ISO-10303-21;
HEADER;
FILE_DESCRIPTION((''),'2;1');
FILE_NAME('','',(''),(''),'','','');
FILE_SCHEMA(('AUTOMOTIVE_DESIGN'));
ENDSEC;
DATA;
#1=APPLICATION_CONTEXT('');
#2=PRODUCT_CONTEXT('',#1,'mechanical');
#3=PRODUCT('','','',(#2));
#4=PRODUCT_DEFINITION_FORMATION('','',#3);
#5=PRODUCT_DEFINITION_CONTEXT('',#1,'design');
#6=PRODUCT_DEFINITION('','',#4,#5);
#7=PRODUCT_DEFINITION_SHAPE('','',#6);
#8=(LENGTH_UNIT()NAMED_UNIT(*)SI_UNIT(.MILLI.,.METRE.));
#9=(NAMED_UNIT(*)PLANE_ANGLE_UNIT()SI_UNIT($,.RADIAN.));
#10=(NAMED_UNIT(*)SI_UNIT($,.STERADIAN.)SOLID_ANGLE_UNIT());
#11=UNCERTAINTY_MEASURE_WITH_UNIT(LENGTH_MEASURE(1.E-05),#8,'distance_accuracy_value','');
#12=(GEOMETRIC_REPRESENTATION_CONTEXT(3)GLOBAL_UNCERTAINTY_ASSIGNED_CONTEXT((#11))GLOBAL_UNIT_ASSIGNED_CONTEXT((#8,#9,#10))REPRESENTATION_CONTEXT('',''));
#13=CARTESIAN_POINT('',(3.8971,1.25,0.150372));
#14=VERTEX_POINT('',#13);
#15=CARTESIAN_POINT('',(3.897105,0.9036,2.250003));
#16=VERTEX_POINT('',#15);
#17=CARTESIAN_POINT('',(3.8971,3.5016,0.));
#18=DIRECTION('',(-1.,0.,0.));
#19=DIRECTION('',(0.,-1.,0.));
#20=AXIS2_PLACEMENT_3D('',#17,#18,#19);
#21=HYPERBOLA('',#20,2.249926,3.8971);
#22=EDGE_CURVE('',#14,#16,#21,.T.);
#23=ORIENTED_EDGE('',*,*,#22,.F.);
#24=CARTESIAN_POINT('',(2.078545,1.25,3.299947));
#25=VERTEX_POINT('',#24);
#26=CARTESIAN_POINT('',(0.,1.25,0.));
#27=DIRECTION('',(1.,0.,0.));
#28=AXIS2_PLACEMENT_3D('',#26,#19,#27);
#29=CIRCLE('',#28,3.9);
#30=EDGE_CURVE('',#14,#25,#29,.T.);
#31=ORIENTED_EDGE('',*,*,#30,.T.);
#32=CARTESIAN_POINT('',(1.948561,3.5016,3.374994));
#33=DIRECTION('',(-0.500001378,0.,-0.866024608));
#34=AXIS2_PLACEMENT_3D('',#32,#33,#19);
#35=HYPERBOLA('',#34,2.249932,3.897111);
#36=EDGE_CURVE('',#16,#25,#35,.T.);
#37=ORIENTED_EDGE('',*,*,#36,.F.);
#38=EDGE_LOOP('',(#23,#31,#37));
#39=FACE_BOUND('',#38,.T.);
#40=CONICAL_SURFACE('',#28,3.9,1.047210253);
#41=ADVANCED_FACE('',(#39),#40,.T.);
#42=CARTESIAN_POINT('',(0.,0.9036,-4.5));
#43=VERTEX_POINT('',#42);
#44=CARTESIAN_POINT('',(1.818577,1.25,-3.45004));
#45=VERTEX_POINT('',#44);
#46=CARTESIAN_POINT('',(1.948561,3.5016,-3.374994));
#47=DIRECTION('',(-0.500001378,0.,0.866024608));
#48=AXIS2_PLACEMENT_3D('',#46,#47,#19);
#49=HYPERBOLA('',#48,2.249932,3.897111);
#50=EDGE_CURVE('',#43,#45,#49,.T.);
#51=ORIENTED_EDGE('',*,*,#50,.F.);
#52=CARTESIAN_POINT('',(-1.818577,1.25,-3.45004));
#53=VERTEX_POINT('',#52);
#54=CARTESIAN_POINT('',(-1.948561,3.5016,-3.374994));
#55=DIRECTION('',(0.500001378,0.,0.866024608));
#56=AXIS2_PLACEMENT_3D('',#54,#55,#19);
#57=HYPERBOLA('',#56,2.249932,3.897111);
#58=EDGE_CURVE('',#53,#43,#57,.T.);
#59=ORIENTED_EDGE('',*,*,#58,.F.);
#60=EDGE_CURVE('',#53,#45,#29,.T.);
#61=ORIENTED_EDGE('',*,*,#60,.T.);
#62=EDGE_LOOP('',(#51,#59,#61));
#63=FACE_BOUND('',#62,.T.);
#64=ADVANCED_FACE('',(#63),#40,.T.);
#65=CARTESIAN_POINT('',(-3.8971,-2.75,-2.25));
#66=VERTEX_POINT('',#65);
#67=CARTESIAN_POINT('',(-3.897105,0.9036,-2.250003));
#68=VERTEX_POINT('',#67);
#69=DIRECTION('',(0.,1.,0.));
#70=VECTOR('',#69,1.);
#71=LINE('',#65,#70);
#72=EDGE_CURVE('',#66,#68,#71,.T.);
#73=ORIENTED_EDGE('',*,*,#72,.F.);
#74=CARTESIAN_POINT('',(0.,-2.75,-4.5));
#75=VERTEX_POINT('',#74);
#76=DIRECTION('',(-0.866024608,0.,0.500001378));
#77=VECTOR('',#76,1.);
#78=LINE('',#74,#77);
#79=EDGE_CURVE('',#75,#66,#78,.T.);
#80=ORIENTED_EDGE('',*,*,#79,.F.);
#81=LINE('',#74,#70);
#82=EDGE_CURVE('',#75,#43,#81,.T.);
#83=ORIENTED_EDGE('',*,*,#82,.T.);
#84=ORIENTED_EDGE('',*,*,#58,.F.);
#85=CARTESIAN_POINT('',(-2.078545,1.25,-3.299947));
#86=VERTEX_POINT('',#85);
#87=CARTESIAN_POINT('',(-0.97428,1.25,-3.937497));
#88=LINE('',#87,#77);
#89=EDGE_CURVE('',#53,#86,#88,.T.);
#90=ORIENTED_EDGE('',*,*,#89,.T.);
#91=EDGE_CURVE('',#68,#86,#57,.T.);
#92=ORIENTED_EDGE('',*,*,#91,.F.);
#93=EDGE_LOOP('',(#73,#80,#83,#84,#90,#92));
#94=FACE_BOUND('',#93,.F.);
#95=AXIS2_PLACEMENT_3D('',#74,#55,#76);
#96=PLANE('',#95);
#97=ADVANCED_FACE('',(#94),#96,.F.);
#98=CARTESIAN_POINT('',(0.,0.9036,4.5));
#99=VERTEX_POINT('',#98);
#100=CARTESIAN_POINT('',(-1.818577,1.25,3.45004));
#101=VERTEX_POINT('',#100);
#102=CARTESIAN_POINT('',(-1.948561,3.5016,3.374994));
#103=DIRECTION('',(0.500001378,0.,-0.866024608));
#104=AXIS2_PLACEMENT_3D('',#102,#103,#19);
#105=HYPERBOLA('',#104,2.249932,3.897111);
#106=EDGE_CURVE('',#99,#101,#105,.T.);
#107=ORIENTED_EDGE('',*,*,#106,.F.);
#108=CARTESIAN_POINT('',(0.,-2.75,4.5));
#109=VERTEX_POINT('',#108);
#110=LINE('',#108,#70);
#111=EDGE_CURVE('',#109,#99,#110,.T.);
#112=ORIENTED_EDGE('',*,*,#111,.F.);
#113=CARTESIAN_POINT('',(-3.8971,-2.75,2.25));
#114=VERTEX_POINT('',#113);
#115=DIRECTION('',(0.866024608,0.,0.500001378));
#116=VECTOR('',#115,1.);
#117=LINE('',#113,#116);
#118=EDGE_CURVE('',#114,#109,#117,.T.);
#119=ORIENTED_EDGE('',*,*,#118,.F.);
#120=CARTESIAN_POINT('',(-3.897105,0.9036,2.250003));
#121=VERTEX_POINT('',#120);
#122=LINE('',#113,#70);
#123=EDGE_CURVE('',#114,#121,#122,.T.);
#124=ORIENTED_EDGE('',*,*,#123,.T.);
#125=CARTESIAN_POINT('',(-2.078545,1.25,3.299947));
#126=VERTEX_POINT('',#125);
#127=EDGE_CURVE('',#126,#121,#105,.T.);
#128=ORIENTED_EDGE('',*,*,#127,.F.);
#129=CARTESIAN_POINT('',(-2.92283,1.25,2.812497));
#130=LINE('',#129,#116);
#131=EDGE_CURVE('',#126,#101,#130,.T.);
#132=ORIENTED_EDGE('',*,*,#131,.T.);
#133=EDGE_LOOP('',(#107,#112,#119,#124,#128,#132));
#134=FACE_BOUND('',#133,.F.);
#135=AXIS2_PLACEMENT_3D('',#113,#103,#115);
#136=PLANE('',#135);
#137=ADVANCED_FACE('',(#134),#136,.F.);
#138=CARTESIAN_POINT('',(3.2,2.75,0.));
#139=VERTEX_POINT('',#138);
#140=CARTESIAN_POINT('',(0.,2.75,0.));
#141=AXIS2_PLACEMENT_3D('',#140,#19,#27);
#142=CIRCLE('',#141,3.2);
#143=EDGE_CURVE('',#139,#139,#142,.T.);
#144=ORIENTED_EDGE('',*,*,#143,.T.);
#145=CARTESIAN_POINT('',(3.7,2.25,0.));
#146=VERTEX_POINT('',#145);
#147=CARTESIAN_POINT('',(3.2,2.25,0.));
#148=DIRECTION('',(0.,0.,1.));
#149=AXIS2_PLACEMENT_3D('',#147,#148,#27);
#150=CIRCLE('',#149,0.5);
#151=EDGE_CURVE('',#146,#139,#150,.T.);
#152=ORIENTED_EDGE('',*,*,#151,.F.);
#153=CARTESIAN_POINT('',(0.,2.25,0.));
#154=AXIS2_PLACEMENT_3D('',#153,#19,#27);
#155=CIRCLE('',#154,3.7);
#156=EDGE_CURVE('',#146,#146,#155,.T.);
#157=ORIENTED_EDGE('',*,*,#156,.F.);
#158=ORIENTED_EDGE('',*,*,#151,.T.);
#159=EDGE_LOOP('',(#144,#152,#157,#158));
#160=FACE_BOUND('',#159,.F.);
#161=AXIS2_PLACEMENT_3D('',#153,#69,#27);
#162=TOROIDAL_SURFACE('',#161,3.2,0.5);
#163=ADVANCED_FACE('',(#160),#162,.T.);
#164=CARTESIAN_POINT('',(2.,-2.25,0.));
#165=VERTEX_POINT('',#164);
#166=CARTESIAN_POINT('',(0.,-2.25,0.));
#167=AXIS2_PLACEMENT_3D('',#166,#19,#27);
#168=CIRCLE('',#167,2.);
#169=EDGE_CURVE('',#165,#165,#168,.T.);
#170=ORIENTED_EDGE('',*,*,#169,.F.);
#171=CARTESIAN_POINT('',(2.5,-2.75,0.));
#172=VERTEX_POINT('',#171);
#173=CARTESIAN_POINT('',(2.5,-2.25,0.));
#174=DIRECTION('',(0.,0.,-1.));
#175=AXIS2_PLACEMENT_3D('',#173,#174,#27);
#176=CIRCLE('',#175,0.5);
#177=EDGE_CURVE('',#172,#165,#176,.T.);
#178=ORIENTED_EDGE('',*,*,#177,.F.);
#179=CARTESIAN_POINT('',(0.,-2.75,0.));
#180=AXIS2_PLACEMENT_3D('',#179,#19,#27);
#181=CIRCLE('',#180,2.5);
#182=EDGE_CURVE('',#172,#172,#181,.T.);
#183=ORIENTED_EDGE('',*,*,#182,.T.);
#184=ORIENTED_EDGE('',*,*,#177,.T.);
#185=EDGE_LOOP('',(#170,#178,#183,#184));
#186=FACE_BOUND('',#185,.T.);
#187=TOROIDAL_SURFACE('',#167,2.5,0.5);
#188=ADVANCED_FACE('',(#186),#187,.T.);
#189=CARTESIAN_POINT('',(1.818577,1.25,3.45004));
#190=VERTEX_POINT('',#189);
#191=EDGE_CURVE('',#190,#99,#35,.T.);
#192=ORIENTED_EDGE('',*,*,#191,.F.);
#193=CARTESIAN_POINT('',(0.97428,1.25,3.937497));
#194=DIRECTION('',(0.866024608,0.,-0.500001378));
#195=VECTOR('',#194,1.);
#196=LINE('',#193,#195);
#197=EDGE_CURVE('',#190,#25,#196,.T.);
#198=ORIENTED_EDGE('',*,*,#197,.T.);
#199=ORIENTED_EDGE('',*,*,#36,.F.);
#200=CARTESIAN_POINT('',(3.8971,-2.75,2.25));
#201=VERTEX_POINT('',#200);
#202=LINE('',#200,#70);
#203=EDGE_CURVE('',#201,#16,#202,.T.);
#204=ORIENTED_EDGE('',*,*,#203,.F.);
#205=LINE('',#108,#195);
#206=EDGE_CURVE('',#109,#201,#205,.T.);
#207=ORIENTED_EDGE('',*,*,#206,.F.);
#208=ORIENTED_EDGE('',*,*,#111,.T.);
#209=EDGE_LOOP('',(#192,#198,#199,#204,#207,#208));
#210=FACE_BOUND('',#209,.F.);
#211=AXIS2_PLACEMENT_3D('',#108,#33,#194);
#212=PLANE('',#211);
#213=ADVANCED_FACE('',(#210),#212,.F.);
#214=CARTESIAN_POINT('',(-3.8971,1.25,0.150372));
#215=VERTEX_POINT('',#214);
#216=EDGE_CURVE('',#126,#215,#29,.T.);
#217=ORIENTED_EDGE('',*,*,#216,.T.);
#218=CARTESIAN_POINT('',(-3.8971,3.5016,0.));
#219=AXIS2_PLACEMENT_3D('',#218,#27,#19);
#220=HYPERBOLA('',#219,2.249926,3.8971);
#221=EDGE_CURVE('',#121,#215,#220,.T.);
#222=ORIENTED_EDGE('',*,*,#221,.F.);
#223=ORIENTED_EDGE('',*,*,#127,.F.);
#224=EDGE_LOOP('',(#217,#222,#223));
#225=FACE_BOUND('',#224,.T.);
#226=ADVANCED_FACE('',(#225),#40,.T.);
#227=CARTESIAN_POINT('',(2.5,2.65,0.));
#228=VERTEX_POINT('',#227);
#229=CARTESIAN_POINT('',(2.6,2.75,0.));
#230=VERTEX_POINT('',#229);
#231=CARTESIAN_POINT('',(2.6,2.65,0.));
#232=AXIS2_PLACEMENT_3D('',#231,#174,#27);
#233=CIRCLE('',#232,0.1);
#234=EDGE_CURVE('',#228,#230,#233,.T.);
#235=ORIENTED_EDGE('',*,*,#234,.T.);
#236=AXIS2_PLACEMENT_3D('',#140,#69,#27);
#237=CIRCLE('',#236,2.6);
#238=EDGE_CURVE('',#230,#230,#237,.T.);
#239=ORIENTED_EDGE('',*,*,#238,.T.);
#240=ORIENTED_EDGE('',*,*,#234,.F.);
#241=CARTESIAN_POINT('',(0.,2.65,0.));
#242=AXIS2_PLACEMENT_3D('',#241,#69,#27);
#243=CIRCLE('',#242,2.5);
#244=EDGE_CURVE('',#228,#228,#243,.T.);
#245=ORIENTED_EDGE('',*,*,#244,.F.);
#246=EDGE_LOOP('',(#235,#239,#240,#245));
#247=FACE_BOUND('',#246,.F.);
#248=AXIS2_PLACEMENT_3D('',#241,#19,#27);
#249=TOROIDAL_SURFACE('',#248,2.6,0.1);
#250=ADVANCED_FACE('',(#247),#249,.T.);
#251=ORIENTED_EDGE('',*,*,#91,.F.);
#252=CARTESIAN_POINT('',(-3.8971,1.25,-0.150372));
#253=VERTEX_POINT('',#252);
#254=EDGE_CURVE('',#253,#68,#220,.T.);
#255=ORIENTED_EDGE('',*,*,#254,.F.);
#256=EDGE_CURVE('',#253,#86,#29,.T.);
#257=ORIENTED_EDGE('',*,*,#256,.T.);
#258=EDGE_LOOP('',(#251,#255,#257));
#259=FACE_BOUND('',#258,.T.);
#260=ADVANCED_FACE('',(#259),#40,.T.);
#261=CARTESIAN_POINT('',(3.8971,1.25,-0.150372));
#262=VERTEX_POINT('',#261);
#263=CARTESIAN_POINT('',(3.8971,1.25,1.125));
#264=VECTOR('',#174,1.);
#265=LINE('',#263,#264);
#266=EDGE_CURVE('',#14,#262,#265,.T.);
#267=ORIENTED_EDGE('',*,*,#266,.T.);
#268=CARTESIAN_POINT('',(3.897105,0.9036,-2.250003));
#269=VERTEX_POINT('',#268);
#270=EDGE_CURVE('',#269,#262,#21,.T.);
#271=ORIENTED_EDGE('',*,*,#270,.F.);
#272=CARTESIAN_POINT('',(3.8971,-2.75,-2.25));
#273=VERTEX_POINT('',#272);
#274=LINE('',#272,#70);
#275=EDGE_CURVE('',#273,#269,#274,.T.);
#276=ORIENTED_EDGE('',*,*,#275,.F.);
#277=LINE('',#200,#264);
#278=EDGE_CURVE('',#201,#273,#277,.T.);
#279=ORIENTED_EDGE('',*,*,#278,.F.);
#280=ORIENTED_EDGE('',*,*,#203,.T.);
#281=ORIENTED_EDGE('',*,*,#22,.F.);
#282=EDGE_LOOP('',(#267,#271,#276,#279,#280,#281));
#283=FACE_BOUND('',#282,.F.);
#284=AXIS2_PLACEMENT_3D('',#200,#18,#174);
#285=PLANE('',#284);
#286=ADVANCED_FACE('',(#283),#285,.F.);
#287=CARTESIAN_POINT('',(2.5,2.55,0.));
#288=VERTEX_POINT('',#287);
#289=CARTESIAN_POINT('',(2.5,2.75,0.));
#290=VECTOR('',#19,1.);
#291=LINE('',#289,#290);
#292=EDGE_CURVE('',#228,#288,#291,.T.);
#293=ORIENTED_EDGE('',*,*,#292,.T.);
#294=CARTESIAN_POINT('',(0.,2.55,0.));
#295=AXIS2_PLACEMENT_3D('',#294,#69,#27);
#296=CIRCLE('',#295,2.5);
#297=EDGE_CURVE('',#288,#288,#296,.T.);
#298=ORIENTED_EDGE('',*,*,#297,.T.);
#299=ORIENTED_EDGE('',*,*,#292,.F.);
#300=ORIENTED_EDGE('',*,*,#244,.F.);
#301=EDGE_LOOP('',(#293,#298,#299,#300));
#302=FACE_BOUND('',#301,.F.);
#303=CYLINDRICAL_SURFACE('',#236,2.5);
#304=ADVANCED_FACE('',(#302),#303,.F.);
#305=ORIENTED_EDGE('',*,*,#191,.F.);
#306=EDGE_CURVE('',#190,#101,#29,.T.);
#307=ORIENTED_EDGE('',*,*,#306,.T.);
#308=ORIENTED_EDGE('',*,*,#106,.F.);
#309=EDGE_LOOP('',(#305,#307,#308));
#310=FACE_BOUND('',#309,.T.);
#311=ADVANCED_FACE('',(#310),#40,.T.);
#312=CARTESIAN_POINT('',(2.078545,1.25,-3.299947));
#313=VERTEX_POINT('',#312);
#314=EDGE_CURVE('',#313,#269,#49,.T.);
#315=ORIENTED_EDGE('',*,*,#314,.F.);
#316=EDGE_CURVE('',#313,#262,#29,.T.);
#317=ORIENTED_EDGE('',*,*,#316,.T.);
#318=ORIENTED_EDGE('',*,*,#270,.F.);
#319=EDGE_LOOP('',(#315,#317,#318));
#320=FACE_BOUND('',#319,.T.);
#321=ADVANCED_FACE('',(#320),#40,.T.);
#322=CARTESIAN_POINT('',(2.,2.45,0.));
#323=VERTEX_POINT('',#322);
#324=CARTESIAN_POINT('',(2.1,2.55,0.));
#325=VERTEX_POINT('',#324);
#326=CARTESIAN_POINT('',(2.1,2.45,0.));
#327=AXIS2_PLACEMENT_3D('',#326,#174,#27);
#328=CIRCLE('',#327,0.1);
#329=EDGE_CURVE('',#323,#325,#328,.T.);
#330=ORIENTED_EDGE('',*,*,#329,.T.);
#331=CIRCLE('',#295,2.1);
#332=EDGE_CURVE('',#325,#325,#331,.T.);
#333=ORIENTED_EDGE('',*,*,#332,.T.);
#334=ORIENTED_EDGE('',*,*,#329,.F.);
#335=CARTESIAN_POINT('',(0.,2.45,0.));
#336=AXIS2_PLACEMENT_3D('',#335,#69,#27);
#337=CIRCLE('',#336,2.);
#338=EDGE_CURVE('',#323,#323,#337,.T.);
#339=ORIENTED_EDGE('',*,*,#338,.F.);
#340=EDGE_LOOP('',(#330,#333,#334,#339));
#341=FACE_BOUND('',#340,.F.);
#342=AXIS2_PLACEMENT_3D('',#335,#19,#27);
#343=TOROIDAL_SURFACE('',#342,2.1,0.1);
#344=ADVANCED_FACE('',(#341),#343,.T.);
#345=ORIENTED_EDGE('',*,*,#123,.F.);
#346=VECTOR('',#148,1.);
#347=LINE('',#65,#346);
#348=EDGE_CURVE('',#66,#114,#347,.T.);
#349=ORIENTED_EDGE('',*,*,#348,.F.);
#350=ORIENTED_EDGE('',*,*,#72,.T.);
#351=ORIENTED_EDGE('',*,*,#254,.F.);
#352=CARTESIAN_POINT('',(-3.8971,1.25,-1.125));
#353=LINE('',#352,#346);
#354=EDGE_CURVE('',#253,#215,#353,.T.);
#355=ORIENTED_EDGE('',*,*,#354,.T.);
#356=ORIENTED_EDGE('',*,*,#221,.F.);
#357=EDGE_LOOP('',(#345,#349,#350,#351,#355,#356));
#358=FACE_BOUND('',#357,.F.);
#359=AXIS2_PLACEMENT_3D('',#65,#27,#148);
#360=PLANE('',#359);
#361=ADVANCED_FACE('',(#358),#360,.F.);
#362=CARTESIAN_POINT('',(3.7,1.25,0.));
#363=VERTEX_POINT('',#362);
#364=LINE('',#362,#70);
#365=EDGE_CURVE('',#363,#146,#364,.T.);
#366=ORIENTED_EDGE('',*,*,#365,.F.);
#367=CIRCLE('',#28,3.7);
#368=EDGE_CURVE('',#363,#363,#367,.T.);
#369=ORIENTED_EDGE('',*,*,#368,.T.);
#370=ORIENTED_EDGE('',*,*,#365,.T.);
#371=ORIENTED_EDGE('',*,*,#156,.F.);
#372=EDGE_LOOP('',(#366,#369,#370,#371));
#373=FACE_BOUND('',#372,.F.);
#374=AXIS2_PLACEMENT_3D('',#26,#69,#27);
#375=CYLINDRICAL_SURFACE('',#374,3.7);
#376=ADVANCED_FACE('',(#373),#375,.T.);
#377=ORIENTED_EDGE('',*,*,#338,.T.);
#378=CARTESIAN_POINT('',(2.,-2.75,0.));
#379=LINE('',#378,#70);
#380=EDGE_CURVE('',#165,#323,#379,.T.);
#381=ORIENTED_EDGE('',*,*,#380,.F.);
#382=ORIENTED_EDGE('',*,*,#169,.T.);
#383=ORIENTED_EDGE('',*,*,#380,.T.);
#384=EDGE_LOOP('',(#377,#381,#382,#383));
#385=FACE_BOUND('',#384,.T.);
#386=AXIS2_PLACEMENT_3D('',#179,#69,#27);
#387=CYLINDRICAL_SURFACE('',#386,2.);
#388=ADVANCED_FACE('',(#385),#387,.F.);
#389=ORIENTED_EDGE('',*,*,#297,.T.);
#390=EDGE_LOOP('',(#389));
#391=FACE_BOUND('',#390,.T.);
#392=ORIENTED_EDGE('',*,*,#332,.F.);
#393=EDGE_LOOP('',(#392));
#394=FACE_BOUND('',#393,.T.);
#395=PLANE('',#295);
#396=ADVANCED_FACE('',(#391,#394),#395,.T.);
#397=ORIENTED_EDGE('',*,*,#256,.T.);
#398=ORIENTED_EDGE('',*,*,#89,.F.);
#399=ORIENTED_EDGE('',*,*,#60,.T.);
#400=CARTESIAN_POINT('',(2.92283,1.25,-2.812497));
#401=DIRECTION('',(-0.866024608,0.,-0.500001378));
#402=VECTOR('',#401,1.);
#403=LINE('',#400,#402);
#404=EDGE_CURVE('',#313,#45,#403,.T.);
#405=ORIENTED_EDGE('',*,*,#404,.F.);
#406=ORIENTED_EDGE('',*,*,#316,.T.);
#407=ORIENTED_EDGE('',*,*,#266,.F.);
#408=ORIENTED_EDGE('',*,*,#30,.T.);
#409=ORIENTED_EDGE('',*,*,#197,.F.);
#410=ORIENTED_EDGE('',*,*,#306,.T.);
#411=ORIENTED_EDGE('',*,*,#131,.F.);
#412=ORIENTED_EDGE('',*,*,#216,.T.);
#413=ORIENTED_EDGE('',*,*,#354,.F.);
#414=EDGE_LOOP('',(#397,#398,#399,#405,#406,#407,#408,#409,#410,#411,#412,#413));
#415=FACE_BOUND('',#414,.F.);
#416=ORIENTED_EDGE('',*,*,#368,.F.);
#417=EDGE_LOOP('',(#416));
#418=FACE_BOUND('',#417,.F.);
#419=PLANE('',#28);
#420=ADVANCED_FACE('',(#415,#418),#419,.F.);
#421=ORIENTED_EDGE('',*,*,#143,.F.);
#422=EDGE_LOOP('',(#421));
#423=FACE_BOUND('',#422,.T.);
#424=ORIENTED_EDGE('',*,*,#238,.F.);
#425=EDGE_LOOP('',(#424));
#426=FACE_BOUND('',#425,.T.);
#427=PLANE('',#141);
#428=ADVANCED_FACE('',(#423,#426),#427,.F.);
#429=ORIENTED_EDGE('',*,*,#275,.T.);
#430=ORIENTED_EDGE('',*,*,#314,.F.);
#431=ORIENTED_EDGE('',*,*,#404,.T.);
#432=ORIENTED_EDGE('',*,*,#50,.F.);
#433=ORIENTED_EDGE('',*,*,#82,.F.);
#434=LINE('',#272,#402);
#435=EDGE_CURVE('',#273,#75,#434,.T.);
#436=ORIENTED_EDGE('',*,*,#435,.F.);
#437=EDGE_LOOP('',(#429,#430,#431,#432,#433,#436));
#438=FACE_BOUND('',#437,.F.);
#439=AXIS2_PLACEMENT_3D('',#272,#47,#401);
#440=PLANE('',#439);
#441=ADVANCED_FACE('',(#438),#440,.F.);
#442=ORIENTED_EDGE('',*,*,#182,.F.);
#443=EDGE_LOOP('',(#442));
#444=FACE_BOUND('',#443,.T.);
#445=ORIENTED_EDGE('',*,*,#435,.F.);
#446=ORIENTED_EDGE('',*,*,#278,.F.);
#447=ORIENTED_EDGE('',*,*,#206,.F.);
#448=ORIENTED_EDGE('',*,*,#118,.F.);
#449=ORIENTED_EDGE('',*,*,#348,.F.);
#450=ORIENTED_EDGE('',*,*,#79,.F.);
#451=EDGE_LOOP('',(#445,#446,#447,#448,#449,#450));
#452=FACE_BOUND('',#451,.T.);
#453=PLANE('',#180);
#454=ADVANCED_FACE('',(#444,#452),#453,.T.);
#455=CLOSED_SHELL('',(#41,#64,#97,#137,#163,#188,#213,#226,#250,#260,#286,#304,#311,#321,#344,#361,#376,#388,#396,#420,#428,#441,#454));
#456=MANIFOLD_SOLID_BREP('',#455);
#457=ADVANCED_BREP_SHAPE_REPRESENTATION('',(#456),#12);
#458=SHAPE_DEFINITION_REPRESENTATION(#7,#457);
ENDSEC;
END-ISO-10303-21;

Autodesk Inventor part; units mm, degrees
ref_plane "YZ Plane" through (0, 0, 0) normal (1, 0, 0) x (0, 1, 0)
ref_plane "XZ Plane" through (0, 0, 0) normal (0, 1, 0) x (-1, 0, 0)
ref_plane "XY Plane" through (0, 0, 0) normal (0, 0, 1) x (1, 0, 0)
sketch "スケッチ1" plane through (0, 0, 0) normal (0, 0, 1) x (1, 0, 0)
  line L0 (4.5, 0.9036) -> (4.5, -2.75)
  line L1 (4.5, -2.75) -> (2, -2.75)
  line L2 (0, 2.75) -> (0, -2.75)
  line L3 (3.9, 1.25) -> (4.5, 0.9036)
  line L4 (2, -2.75) -> (2, 2.75)
  line L5 (2, 2.75) -> (3.7, 2.75)
  line L6 (3.9, 1.25) -> (3.7, 1.25)
  line L7 (3.7, 1.25) -> (3.7, 2.75)
  point P0 (0, 0)
  dimension "d3" = 4.5
  dimension "d14" = 2.75
  dimension "d15" = 5.5
  dimension "d16" = 2.75
  dimension "d17" = 5.5
  dimension "d18" = 2.5
  dimension "d20" = 120
  dimension "d28" = 1.7
  dimension "d29" = 1.5
  dimension "d30" = 0.2
revolve "回転1" add sketch "スケッチ1" angle 360 about axis through (0, 2.75, 0) along (0, -1, 0)
sketch "スケッチ3" plane through (0, -2.75, 0) normal (0, -1, 0) x (1, 0, 0)
  circle A0 centre (0, 0) radius 2 projected
  circle A1 centre (0, 0) radius 4.5 projected
  line L0 (0, 4.5) -> (3.8971, 2.25)
  line L1 (3.8971, 2.25) -> (3.8971, -2.25)
  line L2 (3.8971, -2.25) -> (0, -4.5)
  line L3 (0, -4.5) -> (-3.8971, -2.25)
  line L4 (-3.8971, -2.25) -> (-3.8971, 2.25)
  line L5 (-3.8971, 2.25) -> (0, 4.5)
  dimension "d23" = 2.25
extrude "押し出し2" cut sketch "スケッチ3" against normal blind 5.5 contours L1 L2 L3 L4 L5 L0 keep common part
fillet "フィレット1" radius 0.5 2 edges at (-3.7, 2.75, 0) (-2, -2.75, 0)
sketch "スケッチ4" plane through (0, 2.75, 0) normal (0, 1, 0) x (1, 0, 0)
  circle A0 centre (0, 0) radius 2 projected
  circle A1 centre (0, 0) radius 3.2 projected
  circle A2 centre (0, 0) radius 2.5
  dimension "d32" = 5
extrude "押し出し3" cut sketch "スケッチ4" against normal blind 0.2 contours A2
fillet "フィレット2" radius 0.1 2 edges at (-2, 2.55, 0) (-2.5, 2.75, 0)
thread "ねじ3" size "M4x0.7" class "6H" standard "ANSI Metric M Profile" full length
properties material "ステンレス鋼"
